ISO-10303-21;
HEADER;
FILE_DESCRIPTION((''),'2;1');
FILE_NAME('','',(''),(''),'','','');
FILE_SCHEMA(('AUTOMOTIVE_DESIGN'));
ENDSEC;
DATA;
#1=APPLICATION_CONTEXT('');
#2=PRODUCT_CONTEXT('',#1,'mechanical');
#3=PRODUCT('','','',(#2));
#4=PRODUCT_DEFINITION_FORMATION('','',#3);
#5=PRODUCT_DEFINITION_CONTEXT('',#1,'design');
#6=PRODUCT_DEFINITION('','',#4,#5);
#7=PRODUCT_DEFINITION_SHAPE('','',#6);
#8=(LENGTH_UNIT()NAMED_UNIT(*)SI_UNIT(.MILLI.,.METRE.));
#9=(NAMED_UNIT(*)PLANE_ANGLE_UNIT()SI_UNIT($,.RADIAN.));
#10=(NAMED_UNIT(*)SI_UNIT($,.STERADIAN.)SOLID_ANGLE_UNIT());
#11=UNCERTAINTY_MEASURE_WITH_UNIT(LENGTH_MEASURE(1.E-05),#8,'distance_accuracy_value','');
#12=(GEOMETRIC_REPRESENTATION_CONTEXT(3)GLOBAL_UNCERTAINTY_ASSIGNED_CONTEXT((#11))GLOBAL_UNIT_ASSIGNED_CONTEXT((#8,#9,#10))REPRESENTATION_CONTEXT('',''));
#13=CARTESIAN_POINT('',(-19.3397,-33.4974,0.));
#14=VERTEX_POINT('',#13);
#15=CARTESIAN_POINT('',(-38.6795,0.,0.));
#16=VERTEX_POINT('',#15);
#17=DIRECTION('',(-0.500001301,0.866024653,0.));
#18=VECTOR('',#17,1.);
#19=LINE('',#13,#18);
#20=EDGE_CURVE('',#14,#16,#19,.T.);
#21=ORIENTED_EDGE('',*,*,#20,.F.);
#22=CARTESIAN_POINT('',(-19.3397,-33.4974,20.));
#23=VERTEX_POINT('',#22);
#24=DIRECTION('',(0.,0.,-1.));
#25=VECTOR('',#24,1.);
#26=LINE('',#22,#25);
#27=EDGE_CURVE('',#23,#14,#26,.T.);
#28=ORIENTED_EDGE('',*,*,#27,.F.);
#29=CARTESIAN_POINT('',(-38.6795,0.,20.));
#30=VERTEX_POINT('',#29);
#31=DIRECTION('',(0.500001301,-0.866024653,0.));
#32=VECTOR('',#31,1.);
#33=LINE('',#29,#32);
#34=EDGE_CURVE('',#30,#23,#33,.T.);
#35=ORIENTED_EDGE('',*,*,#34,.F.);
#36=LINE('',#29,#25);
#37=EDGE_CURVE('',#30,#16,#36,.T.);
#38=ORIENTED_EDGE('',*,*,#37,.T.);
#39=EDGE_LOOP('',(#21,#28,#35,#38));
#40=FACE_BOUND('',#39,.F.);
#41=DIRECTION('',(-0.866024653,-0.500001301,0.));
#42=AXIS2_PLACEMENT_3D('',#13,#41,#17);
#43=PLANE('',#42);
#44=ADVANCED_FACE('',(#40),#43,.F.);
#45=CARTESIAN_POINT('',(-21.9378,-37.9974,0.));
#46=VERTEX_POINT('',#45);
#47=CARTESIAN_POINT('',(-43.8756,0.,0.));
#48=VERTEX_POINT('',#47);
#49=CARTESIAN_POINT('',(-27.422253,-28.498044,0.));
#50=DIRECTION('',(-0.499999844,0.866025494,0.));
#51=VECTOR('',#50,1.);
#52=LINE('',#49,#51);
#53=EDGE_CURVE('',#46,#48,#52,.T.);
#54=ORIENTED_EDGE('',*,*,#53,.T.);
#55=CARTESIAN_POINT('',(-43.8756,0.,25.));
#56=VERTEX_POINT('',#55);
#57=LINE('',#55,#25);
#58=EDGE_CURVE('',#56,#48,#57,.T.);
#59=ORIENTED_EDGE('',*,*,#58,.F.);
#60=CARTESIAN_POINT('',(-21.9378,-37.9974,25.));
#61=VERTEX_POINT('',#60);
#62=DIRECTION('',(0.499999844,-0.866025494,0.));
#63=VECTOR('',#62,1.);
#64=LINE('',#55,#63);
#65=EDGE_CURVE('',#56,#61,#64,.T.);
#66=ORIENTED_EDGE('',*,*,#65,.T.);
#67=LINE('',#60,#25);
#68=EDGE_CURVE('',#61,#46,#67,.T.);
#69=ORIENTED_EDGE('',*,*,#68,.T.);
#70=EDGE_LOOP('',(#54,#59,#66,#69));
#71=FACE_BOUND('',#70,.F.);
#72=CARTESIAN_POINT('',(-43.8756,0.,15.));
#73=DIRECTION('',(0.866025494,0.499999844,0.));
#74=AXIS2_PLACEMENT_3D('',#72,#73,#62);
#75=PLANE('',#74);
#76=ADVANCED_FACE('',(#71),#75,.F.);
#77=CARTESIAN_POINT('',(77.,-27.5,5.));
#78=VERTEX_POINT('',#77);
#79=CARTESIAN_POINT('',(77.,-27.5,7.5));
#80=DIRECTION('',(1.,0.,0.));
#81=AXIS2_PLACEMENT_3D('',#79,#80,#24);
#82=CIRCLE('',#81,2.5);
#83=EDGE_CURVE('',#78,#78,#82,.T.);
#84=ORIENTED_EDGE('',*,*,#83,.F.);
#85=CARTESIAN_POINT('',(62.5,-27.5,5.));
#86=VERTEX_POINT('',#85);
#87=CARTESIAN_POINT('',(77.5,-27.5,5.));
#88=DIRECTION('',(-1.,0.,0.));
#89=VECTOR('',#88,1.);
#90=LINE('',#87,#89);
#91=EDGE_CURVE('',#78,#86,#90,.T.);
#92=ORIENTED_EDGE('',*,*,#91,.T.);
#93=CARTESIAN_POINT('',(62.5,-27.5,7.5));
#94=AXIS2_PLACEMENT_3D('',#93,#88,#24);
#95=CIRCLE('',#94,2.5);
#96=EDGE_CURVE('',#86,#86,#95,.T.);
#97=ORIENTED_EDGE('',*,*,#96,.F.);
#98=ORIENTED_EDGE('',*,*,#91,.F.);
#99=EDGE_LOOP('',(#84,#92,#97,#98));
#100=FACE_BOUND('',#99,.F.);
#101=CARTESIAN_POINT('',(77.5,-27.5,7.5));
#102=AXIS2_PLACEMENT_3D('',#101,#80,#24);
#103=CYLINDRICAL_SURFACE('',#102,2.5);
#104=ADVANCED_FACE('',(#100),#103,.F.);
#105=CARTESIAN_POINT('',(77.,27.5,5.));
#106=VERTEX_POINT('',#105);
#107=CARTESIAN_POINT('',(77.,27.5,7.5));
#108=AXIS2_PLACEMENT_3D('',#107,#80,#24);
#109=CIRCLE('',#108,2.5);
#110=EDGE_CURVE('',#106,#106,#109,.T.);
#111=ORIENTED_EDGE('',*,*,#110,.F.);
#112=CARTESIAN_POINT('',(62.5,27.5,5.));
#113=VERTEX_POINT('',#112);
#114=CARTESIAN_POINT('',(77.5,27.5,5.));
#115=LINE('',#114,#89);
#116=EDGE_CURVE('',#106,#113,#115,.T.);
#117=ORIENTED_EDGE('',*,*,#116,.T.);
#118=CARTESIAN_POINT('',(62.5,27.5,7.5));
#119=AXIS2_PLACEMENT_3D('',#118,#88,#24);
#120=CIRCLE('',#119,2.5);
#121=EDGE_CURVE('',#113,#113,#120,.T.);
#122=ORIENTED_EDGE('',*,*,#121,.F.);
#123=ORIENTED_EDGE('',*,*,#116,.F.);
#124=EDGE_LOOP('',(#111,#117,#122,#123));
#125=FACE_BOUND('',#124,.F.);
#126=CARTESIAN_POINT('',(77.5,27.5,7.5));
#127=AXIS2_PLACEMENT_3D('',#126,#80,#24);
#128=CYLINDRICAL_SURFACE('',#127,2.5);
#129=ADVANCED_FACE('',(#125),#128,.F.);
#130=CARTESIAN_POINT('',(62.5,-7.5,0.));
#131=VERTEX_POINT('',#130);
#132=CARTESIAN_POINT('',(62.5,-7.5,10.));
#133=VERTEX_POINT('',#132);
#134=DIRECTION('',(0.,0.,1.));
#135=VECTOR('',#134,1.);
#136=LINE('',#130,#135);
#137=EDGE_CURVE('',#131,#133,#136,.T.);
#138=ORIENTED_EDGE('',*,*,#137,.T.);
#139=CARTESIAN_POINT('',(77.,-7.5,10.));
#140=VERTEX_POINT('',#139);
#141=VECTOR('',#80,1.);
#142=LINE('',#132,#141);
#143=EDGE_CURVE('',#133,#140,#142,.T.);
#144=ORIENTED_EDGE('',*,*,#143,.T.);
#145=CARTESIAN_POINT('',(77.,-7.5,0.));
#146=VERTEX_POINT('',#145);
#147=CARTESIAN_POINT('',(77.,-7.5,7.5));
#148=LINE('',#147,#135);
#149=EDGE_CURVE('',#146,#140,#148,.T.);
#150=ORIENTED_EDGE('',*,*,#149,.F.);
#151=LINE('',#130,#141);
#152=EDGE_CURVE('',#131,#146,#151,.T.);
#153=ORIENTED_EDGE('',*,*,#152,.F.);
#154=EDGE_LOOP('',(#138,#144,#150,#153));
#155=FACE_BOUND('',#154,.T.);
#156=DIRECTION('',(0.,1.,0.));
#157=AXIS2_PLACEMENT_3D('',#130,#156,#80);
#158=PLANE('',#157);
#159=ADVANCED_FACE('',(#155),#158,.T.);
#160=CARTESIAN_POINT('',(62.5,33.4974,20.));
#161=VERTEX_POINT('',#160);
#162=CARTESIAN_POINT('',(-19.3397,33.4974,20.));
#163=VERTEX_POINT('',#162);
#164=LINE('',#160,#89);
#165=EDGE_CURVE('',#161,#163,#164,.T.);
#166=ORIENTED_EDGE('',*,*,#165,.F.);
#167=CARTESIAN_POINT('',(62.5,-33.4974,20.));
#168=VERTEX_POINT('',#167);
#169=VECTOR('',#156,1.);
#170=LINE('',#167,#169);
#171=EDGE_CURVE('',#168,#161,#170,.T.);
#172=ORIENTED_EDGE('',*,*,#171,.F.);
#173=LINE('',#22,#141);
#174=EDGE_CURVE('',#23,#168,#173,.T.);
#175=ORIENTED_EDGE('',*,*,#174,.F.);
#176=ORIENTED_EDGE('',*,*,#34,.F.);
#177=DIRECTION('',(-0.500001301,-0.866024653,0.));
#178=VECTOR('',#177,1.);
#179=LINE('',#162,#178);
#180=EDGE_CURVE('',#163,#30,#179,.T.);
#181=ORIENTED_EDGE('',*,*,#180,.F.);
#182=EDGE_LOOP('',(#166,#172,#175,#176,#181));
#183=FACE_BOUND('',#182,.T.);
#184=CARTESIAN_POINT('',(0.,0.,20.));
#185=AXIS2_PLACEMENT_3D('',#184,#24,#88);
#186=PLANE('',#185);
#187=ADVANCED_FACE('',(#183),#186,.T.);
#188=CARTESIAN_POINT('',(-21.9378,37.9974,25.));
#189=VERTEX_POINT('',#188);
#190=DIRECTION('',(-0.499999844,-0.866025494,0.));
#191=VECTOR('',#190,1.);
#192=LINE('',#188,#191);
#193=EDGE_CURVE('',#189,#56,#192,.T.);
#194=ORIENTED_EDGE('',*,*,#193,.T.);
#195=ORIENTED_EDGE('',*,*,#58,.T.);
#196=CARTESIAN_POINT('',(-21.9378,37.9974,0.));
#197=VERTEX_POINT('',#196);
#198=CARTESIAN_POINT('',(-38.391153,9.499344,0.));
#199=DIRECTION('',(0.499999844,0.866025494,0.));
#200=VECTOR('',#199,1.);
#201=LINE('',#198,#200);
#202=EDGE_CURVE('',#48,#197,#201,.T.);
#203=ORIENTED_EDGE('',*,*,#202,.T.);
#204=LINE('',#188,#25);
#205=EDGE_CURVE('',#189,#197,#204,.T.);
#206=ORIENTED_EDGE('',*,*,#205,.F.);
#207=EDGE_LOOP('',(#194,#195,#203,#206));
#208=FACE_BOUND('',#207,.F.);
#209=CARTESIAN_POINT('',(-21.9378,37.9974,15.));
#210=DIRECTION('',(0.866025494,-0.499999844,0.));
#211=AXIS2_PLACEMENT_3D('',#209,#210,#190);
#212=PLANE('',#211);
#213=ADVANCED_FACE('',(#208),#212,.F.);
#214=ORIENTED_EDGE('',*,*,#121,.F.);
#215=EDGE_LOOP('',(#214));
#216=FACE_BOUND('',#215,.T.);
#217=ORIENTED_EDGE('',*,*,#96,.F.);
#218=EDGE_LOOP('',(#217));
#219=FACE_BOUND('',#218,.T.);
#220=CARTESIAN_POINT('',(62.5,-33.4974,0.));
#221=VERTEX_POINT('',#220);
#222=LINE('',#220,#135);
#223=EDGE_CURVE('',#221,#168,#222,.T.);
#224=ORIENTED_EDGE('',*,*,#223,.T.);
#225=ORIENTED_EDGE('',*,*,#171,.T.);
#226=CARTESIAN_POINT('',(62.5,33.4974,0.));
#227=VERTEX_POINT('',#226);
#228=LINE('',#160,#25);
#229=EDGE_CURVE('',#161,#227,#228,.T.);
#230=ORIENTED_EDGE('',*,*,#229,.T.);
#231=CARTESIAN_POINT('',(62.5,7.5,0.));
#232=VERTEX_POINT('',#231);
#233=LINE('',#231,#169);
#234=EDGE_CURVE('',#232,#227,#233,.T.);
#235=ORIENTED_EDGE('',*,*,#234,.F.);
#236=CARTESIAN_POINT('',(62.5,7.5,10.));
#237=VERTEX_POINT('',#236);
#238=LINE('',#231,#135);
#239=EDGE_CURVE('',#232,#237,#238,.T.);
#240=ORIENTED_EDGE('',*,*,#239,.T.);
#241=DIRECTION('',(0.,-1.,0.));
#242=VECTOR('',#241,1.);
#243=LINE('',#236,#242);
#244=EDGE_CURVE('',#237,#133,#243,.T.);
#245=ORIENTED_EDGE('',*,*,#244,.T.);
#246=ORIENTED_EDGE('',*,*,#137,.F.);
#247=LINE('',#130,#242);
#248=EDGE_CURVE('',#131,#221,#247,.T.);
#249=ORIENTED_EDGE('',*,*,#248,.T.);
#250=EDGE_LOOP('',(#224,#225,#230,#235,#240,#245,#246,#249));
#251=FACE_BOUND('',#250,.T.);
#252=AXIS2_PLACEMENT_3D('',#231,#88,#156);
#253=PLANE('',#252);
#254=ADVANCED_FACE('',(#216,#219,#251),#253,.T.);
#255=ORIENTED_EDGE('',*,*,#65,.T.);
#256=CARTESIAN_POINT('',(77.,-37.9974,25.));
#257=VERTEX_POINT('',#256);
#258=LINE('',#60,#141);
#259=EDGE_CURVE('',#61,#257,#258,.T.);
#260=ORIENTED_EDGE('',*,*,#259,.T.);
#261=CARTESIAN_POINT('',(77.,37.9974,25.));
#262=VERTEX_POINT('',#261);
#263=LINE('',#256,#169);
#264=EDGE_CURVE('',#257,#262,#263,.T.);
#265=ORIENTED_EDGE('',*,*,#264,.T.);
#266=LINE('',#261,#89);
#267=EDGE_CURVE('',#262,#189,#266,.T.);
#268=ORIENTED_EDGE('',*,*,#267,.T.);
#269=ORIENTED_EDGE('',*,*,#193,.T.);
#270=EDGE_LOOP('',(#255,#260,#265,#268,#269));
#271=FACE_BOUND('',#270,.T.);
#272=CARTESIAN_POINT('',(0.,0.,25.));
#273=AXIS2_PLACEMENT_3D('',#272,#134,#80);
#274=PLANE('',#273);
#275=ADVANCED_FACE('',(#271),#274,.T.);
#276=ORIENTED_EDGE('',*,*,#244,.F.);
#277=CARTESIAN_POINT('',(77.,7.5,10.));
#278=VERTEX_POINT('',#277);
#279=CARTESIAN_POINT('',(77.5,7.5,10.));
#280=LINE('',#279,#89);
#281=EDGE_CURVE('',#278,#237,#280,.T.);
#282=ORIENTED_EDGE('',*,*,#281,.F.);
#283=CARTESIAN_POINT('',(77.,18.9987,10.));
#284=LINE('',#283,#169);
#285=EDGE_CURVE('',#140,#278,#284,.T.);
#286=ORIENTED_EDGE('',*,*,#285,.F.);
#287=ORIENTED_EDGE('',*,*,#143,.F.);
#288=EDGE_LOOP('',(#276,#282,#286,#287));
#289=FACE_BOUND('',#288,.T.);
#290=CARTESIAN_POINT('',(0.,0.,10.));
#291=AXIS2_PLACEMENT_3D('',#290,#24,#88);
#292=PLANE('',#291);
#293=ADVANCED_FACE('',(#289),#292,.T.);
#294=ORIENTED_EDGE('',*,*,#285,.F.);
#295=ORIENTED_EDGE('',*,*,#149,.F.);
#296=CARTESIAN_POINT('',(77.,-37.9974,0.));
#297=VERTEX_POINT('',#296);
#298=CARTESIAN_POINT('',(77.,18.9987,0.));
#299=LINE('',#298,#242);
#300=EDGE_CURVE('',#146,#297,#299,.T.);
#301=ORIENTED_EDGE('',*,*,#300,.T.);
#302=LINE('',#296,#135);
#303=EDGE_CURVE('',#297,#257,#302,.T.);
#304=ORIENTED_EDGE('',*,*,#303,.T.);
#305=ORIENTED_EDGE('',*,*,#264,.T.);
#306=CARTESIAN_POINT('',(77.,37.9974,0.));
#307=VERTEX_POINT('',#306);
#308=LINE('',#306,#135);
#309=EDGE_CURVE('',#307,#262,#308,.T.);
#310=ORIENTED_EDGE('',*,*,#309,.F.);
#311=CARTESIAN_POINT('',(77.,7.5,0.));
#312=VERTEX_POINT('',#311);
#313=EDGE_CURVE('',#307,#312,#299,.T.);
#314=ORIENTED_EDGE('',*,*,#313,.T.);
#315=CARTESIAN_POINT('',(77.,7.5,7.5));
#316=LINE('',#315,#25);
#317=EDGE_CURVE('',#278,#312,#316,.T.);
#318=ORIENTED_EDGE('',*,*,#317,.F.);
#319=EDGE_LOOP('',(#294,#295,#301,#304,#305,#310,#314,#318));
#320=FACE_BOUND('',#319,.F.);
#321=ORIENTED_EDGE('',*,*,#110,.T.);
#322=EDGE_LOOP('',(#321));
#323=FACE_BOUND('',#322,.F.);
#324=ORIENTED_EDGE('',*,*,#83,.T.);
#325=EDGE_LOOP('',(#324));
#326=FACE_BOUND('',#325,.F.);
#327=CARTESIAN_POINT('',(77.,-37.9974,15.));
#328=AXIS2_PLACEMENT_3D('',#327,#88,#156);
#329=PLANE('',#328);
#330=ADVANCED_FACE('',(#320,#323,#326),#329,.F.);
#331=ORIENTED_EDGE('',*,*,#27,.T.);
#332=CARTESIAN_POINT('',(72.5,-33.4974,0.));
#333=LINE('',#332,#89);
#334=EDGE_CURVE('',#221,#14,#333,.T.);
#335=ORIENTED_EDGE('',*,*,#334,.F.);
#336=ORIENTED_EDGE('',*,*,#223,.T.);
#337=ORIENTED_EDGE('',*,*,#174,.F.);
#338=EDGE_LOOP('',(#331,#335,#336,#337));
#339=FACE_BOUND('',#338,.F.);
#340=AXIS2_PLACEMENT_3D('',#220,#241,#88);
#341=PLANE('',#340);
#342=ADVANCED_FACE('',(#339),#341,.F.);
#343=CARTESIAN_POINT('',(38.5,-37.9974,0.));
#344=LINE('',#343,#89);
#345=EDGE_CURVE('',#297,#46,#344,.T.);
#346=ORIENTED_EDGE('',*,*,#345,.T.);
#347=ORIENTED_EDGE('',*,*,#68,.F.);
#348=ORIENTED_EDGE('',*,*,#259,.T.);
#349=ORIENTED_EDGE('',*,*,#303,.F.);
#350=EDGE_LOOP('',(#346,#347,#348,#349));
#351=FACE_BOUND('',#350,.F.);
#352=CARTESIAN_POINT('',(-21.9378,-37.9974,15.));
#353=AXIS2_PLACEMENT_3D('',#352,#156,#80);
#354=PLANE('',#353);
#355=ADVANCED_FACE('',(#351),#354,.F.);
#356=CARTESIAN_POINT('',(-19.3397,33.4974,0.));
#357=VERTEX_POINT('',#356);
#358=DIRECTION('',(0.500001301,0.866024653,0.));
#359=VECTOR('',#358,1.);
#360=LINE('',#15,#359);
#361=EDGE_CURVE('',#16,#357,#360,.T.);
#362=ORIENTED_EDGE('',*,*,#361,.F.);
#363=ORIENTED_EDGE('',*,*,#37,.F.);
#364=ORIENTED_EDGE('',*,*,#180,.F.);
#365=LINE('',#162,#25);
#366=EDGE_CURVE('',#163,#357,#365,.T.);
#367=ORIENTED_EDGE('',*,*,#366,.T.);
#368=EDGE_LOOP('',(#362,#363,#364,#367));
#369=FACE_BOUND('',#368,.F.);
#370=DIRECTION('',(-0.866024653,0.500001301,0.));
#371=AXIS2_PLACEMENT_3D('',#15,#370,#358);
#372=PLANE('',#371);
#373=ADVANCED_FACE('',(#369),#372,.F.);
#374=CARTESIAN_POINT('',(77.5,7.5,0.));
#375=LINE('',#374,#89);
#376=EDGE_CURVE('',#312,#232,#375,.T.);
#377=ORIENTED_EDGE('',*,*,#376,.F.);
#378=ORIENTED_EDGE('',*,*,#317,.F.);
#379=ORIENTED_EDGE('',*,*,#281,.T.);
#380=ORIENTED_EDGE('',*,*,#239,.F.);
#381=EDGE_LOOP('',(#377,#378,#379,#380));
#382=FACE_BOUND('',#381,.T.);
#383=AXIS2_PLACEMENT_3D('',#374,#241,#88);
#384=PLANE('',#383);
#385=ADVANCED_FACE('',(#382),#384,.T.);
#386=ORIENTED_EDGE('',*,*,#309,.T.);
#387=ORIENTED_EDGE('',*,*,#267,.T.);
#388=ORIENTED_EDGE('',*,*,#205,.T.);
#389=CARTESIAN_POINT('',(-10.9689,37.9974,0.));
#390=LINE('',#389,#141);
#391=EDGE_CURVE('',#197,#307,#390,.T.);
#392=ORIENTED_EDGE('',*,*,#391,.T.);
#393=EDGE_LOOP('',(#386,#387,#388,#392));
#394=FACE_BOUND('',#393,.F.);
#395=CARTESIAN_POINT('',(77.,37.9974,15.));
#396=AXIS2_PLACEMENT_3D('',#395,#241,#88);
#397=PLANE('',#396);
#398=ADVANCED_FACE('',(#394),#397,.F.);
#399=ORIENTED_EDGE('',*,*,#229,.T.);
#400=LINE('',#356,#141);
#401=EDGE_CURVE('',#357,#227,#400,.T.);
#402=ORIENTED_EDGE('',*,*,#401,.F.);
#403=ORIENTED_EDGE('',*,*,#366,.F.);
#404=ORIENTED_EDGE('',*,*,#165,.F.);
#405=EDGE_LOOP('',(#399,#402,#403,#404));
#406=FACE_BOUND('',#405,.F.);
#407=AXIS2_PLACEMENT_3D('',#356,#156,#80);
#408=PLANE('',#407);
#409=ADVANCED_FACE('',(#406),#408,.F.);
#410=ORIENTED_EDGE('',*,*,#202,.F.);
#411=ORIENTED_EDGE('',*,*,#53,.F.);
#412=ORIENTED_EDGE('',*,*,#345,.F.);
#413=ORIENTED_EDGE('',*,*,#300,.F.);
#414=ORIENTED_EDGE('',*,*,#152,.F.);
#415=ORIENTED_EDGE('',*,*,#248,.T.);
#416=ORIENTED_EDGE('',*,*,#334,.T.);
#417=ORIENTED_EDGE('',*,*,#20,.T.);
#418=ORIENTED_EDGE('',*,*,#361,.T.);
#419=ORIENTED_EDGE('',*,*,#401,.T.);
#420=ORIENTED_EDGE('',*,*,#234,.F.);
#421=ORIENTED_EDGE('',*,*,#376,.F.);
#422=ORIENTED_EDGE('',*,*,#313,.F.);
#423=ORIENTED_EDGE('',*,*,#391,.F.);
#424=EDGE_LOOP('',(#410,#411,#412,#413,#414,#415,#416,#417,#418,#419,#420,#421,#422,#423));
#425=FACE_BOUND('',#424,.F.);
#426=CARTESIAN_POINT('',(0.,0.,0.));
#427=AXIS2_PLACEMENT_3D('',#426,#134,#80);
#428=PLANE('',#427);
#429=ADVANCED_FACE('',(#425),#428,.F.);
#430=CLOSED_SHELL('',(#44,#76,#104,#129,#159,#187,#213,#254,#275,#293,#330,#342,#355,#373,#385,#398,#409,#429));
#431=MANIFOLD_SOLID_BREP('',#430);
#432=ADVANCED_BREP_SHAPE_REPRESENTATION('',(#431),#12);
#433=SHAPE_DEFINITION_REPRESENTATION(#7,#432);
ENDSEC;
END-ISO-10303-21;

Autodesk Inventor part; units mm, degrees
ref_plane "YZ Plane" through (0, 0, 0) normal (1, 0, 0) x (0, 1, 0)
ref_plane "XZ Plane" through (0, 0, 0) normal (0, 1, 0) x (-1, 0, 0)
ref_plane "XY Plane" through (0, 0, 0) normal (0, 0, 1) x (1, 0, 0)
sketch "Sketch1" plane through (0, 0, 0) normal (0, 0, 1) x (1, 0, 0)
  line L0 (44.453, 0) -> (22.2265, -38.4974)
  line L1 (22.2265, -38.4974) -> (-22.2265, -38.4974)
  line L2 (-22.2265, -38.4974) -> (-44.453, 0)
  line L3 (-44.453, 0) -> (-22.2265, 38.4974)
  line L4 (-22.2265, 38.4974) -> (22.2265, 38.4974)
  line L5 (22.2265, 38.4974) -> (44.453, 0)
  line L6 (22.2265, 38.4974) -> (77.5, 38.4974)
  line L7 (22.2265, -38.4974) -> (77.5, -38.4974)
  line L8 (77.5, -38.4974) -> (77.5, 38.4974)
  point P0 (0, 0)
  point P1 (0, 0)
  dimension "d1" = 99.7265
  dimension "d2" = 76.9948
extrude "Extrusion1" add sketch "Sketch1" along normal blind 15
sketch "Sketch2" plane through (77.5, -38.4974, 0) normal (1, 0, 0) x (0, 0, -1)
  circle A0 centre (-7.5, 65.9974) radius 2.5
  circle A1 centre (-7.5, 10.9974) radius 2.5
  line L0 (-7.5, 65.9974) -> (-7.5, 10.9974) construction
  line L1 (0, 0) -> (0, 76.9948) construction
  line L2 (0, 76.9948) -> (-15, 76.9948) construction
  point P0 (0, 38.4974)
  point P1 (-7.5, 38.4974)
  point P2 (0, 38.4974)
  point P3 (-7.5, 76.9948)
  dimension "d5" = 5
  dimension "d6" = 5
  dimension "d7" = 55
extrude "Extrusion2" cut sketch "Sketch2" against normal blind 25
sketch "Sketch3" plane through (0, 0, 0) normal (0, 0, -1) x (-1, 0, 0)
  line L0 (-77.5, -38.4974) -> (-77.5, 38.4974) projected
  line L1 (-77.5, 7.5) -> (-62.5, 7.5)
  line L2 (-62.5, 7.5) -> (-62.5, -7.5)
  line L3 (-62.5, -7.5) -> (-77.5, -7.5)
  line L4 (-77.5, -7.5) -> (-77.5, 7.5)
  line L5 (-77.5, 38.4974) -> (22.2265, 38.4974) projected
  line L6 (22.2265, 38.4974) -> (44.453, 0) projected
  line L7 (44.453, 0) -> (22.2265, -38.4974) projected
  line L8 (22.2265, -38.4974) -> (-77.5, -38.4974) projected
  line L9 (38.6795, 0) -> (19.3397, 33.4974)
  line L10 (19.3397, 33.4974) -> (-72.5, 33.4974)
  line L11 (-72.5, 33.4974) -> (-72.5, -33.4974) construction
  line L12 (-72.5, -33.4974) -> (19.3397, -33.4974)
  line L13 (19.3397, -33.4974) -> (38.6795, 0)
  line L14 (-62.5, 7.5) -> (-62.5, 33.4974)
  line L15 (-62.5, -7.5) -> (-62.5, -33.4974)
  line L16 (19.3397, 33.4974) -> (-62.5, 33.4974)
  line L17 (-62.5, -33.4974) -> (19.3397, -33.4974)
  point P0 (0, 0)
  point P1 (-77.5, 0)
  dimension "d10" = 15
  dimension "d11" = 15
  dimension "d12" = 5
extrude "Extrusion3" cut sketch "Sketch3" against normal blind 10 contours L0 L1 L2 L3 | L2 L14 L10 L9 L13 L12 L15
sketch "Sketch5" plane through (0, 0, 15) normal (0, 0, 1) x (1, 0, 0)
  line L0 (77.5, 38.4974) -> (-22.2265, 38.4974) projected
  line L1 (-22.2265, 38.4974) -> (-44.453, 0) projected
  line L2 (-44.453, 0) -> (-22.2265, -38.4974) projected
  line L3 (-22.2265, -38.4974) -> (77.5, -38.4974) projected
  line L4 (77.5, -38.4974) -> (77.5, 38.4974) projected
  line L5 (77, -37.9974) -> (-21.9378, -37.9974)
  line L6 (-21.9378, -37.9974) -> (-43.8756, 0)
  line L7 (-43.8756, 0) -> (-21.9378, 37.9974)
  line L8 (-21.9378, 37.9974) -> (77, 37.9974)
  line L9 (77, 37.9974) -> (77, -37.9974)
  point P0 (0, 0)
  dimension "d15" = 0.5
extrude "Extrusion4" cut sketch "Sketch5" against normal through all
sketch "Sketch6" plane through (0, 0, 15) normal (0, 0, 1) x (1, 0, 0)
  line L0 (77, -37.9974) -> (77, 37.9974) projected
  line L1 (77, 37.9974) -> (-21.9378, 37.9974) projected
  line L2 (-21.9378, 37.9974) -> (-43.8756, 0) projected
  line L3 (-43.8756, 0) -> (-21.9378, -37.9974) projected
  line L4 (-21.9378, -37.9974) -> (77, -37.9974) projected
  point P0 (0, 0)
extrude "Extrusion5" add sketch "Sketch6" along normal blind 10
sketch "Sketch7" plane through (0, 0, 10) normal (0, 0, -1) x (-1, 0, 0)
  line L0 (-77, 7.5) -> (-77, -7.5) projected
  line L1 (-62.5, -7.5) -> (-77, -7.5) projected
  line L2 (-62.5, -27.5) -> (-62.5, -7.5) projected
  line L3 (-62.5, -33.4974) -> (-62.5, -27.5) projected
  line L4 (19.3397, -33.4974) -> (-62.5, -33.4974) projected
  line L5 (38.6795, 0) -> (19.3397, -33.4974) projected
  line L6 (19.3397, 33.4974) -> (38.6795, 0) projected
  line L7 (-62.5, 33.4974) -> (19.3397, 33.4974) projected
  line L8 (-62.5, 27.5) -> (-62.5, 33.4974) projected
  line L9 (-62.5, 7.5) -> (-62.5, 27.5) projected
  line L10 (-77, 7.5) -> (-62.5, 7.5) projected
  line L11 (-62.5, 7.5) -> (-62.5, -7.5)
  point P0 (0, 0)
extrude "Extrusion6" cut sketch "Sketch7" against normal blind 10 contours L9 L8 L7 L6 L5 L4 L3 L2 L11
properties part number "TARM06" material "ABS Plastic"
